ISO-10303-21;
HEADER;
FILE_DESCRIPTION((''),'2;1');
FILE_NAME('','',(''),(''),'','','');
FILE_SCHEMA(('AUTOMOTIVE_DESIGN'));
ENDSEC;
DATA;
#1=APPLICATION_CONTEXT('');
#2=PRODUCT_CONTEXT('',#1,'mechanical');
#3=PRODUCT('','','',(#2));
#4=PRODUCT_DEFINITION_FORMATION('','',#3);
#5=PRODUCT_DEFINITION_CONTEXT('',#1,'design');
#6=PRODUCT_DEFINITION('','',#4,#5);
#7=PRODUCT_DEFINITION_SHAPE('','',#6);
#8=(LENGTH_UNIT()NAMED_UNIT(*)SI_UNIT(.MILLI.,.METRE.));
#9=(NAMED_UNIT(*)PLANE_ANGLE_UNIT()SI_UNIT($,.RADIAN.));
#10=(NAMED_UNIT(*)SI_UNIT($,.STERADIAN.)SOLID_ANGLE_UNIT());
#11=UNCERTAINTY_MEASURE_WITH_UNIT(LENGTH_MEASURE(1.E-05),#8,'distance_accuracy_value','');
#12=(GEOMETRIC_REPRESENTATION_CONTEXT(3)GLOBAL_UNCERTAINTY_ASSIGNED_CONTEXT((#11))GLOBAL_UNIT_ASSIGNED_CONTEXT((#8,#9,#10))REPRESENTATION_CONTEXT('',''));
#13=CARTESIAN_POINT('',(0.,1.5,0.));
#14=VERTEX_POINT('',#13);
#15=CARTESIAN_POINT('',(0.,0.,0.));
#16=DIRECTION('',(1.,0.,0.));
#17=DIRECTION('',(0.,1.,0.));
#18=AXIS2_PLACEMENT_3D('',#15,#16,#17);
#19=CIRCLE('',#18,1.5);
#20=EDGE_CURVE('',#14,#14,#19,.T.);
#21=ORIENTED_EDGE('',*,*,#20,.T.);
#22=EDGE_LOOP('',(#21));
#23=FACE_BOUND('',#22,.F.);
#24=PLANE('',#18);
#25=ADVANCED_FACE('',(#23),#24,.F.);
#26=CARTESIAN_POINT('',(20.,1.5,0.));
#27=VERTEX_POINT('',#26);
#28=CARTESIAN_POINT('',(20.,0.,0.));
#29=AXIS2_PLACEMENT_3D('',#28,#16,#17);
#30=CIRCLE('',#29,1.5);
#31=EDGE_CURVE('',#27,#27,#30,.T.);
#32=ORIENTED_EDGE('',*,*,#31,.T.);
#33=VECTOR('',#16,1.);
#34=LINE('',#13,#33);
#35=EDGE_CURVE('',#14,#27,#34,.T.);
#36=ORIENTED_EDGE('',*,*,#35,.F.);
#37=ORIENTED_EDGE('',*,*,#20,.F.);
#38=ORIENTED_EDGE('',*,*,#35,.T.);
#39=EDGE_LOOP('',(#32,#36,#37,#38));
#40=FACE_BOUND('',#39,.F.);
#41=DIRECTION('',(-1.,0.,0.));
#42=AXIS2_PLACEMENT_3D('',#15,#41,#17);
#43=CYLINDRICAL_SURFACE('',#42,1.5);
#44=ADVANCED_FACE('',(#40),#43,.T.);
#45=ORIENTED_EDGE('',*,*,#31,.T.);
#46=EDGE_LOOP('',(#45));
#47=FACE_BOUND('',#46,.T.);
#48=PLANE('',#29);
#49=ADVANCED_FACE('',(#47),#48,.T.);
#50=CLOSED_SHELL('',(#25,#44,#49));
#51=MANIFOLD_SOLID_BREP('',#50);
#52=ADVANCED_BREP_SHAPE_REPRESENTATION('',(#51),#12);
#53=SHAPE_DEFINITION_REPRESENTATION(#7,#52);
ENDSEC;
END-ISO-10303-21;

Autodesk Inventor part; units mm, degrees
ref_plane "YZ Plane" through (0, 0, 0) normal (1, 0, 0) x (0, 1, 0)
ref_plane "XZ Plane" through (0, 0, 0) normal (0, 1, 0) x (-1, 0, 0)
ref_plane "XY Plane" through (0, 0, 0) normal (0, 0, 1) x (1, 0, 0)
sketch "Sketch1" plane through (0, 0, 0) normal (1, 0, 0) x (0, 1, 0)
  circle A0 centre (0, 0) radius 1.5
  dimension "d1" = 3
extrude "Body" add sketch "Sketch1" along normal blind 20
equation "\"d1\" = NND"
equation "\"d2\" = NLG"
equation "\"NND\" = 3"
equation "\"NLG\" = 20"
properties part number "ISO 2338 - 3 h11 x 20 - C" material "Stainless Steel, Austenitic"
